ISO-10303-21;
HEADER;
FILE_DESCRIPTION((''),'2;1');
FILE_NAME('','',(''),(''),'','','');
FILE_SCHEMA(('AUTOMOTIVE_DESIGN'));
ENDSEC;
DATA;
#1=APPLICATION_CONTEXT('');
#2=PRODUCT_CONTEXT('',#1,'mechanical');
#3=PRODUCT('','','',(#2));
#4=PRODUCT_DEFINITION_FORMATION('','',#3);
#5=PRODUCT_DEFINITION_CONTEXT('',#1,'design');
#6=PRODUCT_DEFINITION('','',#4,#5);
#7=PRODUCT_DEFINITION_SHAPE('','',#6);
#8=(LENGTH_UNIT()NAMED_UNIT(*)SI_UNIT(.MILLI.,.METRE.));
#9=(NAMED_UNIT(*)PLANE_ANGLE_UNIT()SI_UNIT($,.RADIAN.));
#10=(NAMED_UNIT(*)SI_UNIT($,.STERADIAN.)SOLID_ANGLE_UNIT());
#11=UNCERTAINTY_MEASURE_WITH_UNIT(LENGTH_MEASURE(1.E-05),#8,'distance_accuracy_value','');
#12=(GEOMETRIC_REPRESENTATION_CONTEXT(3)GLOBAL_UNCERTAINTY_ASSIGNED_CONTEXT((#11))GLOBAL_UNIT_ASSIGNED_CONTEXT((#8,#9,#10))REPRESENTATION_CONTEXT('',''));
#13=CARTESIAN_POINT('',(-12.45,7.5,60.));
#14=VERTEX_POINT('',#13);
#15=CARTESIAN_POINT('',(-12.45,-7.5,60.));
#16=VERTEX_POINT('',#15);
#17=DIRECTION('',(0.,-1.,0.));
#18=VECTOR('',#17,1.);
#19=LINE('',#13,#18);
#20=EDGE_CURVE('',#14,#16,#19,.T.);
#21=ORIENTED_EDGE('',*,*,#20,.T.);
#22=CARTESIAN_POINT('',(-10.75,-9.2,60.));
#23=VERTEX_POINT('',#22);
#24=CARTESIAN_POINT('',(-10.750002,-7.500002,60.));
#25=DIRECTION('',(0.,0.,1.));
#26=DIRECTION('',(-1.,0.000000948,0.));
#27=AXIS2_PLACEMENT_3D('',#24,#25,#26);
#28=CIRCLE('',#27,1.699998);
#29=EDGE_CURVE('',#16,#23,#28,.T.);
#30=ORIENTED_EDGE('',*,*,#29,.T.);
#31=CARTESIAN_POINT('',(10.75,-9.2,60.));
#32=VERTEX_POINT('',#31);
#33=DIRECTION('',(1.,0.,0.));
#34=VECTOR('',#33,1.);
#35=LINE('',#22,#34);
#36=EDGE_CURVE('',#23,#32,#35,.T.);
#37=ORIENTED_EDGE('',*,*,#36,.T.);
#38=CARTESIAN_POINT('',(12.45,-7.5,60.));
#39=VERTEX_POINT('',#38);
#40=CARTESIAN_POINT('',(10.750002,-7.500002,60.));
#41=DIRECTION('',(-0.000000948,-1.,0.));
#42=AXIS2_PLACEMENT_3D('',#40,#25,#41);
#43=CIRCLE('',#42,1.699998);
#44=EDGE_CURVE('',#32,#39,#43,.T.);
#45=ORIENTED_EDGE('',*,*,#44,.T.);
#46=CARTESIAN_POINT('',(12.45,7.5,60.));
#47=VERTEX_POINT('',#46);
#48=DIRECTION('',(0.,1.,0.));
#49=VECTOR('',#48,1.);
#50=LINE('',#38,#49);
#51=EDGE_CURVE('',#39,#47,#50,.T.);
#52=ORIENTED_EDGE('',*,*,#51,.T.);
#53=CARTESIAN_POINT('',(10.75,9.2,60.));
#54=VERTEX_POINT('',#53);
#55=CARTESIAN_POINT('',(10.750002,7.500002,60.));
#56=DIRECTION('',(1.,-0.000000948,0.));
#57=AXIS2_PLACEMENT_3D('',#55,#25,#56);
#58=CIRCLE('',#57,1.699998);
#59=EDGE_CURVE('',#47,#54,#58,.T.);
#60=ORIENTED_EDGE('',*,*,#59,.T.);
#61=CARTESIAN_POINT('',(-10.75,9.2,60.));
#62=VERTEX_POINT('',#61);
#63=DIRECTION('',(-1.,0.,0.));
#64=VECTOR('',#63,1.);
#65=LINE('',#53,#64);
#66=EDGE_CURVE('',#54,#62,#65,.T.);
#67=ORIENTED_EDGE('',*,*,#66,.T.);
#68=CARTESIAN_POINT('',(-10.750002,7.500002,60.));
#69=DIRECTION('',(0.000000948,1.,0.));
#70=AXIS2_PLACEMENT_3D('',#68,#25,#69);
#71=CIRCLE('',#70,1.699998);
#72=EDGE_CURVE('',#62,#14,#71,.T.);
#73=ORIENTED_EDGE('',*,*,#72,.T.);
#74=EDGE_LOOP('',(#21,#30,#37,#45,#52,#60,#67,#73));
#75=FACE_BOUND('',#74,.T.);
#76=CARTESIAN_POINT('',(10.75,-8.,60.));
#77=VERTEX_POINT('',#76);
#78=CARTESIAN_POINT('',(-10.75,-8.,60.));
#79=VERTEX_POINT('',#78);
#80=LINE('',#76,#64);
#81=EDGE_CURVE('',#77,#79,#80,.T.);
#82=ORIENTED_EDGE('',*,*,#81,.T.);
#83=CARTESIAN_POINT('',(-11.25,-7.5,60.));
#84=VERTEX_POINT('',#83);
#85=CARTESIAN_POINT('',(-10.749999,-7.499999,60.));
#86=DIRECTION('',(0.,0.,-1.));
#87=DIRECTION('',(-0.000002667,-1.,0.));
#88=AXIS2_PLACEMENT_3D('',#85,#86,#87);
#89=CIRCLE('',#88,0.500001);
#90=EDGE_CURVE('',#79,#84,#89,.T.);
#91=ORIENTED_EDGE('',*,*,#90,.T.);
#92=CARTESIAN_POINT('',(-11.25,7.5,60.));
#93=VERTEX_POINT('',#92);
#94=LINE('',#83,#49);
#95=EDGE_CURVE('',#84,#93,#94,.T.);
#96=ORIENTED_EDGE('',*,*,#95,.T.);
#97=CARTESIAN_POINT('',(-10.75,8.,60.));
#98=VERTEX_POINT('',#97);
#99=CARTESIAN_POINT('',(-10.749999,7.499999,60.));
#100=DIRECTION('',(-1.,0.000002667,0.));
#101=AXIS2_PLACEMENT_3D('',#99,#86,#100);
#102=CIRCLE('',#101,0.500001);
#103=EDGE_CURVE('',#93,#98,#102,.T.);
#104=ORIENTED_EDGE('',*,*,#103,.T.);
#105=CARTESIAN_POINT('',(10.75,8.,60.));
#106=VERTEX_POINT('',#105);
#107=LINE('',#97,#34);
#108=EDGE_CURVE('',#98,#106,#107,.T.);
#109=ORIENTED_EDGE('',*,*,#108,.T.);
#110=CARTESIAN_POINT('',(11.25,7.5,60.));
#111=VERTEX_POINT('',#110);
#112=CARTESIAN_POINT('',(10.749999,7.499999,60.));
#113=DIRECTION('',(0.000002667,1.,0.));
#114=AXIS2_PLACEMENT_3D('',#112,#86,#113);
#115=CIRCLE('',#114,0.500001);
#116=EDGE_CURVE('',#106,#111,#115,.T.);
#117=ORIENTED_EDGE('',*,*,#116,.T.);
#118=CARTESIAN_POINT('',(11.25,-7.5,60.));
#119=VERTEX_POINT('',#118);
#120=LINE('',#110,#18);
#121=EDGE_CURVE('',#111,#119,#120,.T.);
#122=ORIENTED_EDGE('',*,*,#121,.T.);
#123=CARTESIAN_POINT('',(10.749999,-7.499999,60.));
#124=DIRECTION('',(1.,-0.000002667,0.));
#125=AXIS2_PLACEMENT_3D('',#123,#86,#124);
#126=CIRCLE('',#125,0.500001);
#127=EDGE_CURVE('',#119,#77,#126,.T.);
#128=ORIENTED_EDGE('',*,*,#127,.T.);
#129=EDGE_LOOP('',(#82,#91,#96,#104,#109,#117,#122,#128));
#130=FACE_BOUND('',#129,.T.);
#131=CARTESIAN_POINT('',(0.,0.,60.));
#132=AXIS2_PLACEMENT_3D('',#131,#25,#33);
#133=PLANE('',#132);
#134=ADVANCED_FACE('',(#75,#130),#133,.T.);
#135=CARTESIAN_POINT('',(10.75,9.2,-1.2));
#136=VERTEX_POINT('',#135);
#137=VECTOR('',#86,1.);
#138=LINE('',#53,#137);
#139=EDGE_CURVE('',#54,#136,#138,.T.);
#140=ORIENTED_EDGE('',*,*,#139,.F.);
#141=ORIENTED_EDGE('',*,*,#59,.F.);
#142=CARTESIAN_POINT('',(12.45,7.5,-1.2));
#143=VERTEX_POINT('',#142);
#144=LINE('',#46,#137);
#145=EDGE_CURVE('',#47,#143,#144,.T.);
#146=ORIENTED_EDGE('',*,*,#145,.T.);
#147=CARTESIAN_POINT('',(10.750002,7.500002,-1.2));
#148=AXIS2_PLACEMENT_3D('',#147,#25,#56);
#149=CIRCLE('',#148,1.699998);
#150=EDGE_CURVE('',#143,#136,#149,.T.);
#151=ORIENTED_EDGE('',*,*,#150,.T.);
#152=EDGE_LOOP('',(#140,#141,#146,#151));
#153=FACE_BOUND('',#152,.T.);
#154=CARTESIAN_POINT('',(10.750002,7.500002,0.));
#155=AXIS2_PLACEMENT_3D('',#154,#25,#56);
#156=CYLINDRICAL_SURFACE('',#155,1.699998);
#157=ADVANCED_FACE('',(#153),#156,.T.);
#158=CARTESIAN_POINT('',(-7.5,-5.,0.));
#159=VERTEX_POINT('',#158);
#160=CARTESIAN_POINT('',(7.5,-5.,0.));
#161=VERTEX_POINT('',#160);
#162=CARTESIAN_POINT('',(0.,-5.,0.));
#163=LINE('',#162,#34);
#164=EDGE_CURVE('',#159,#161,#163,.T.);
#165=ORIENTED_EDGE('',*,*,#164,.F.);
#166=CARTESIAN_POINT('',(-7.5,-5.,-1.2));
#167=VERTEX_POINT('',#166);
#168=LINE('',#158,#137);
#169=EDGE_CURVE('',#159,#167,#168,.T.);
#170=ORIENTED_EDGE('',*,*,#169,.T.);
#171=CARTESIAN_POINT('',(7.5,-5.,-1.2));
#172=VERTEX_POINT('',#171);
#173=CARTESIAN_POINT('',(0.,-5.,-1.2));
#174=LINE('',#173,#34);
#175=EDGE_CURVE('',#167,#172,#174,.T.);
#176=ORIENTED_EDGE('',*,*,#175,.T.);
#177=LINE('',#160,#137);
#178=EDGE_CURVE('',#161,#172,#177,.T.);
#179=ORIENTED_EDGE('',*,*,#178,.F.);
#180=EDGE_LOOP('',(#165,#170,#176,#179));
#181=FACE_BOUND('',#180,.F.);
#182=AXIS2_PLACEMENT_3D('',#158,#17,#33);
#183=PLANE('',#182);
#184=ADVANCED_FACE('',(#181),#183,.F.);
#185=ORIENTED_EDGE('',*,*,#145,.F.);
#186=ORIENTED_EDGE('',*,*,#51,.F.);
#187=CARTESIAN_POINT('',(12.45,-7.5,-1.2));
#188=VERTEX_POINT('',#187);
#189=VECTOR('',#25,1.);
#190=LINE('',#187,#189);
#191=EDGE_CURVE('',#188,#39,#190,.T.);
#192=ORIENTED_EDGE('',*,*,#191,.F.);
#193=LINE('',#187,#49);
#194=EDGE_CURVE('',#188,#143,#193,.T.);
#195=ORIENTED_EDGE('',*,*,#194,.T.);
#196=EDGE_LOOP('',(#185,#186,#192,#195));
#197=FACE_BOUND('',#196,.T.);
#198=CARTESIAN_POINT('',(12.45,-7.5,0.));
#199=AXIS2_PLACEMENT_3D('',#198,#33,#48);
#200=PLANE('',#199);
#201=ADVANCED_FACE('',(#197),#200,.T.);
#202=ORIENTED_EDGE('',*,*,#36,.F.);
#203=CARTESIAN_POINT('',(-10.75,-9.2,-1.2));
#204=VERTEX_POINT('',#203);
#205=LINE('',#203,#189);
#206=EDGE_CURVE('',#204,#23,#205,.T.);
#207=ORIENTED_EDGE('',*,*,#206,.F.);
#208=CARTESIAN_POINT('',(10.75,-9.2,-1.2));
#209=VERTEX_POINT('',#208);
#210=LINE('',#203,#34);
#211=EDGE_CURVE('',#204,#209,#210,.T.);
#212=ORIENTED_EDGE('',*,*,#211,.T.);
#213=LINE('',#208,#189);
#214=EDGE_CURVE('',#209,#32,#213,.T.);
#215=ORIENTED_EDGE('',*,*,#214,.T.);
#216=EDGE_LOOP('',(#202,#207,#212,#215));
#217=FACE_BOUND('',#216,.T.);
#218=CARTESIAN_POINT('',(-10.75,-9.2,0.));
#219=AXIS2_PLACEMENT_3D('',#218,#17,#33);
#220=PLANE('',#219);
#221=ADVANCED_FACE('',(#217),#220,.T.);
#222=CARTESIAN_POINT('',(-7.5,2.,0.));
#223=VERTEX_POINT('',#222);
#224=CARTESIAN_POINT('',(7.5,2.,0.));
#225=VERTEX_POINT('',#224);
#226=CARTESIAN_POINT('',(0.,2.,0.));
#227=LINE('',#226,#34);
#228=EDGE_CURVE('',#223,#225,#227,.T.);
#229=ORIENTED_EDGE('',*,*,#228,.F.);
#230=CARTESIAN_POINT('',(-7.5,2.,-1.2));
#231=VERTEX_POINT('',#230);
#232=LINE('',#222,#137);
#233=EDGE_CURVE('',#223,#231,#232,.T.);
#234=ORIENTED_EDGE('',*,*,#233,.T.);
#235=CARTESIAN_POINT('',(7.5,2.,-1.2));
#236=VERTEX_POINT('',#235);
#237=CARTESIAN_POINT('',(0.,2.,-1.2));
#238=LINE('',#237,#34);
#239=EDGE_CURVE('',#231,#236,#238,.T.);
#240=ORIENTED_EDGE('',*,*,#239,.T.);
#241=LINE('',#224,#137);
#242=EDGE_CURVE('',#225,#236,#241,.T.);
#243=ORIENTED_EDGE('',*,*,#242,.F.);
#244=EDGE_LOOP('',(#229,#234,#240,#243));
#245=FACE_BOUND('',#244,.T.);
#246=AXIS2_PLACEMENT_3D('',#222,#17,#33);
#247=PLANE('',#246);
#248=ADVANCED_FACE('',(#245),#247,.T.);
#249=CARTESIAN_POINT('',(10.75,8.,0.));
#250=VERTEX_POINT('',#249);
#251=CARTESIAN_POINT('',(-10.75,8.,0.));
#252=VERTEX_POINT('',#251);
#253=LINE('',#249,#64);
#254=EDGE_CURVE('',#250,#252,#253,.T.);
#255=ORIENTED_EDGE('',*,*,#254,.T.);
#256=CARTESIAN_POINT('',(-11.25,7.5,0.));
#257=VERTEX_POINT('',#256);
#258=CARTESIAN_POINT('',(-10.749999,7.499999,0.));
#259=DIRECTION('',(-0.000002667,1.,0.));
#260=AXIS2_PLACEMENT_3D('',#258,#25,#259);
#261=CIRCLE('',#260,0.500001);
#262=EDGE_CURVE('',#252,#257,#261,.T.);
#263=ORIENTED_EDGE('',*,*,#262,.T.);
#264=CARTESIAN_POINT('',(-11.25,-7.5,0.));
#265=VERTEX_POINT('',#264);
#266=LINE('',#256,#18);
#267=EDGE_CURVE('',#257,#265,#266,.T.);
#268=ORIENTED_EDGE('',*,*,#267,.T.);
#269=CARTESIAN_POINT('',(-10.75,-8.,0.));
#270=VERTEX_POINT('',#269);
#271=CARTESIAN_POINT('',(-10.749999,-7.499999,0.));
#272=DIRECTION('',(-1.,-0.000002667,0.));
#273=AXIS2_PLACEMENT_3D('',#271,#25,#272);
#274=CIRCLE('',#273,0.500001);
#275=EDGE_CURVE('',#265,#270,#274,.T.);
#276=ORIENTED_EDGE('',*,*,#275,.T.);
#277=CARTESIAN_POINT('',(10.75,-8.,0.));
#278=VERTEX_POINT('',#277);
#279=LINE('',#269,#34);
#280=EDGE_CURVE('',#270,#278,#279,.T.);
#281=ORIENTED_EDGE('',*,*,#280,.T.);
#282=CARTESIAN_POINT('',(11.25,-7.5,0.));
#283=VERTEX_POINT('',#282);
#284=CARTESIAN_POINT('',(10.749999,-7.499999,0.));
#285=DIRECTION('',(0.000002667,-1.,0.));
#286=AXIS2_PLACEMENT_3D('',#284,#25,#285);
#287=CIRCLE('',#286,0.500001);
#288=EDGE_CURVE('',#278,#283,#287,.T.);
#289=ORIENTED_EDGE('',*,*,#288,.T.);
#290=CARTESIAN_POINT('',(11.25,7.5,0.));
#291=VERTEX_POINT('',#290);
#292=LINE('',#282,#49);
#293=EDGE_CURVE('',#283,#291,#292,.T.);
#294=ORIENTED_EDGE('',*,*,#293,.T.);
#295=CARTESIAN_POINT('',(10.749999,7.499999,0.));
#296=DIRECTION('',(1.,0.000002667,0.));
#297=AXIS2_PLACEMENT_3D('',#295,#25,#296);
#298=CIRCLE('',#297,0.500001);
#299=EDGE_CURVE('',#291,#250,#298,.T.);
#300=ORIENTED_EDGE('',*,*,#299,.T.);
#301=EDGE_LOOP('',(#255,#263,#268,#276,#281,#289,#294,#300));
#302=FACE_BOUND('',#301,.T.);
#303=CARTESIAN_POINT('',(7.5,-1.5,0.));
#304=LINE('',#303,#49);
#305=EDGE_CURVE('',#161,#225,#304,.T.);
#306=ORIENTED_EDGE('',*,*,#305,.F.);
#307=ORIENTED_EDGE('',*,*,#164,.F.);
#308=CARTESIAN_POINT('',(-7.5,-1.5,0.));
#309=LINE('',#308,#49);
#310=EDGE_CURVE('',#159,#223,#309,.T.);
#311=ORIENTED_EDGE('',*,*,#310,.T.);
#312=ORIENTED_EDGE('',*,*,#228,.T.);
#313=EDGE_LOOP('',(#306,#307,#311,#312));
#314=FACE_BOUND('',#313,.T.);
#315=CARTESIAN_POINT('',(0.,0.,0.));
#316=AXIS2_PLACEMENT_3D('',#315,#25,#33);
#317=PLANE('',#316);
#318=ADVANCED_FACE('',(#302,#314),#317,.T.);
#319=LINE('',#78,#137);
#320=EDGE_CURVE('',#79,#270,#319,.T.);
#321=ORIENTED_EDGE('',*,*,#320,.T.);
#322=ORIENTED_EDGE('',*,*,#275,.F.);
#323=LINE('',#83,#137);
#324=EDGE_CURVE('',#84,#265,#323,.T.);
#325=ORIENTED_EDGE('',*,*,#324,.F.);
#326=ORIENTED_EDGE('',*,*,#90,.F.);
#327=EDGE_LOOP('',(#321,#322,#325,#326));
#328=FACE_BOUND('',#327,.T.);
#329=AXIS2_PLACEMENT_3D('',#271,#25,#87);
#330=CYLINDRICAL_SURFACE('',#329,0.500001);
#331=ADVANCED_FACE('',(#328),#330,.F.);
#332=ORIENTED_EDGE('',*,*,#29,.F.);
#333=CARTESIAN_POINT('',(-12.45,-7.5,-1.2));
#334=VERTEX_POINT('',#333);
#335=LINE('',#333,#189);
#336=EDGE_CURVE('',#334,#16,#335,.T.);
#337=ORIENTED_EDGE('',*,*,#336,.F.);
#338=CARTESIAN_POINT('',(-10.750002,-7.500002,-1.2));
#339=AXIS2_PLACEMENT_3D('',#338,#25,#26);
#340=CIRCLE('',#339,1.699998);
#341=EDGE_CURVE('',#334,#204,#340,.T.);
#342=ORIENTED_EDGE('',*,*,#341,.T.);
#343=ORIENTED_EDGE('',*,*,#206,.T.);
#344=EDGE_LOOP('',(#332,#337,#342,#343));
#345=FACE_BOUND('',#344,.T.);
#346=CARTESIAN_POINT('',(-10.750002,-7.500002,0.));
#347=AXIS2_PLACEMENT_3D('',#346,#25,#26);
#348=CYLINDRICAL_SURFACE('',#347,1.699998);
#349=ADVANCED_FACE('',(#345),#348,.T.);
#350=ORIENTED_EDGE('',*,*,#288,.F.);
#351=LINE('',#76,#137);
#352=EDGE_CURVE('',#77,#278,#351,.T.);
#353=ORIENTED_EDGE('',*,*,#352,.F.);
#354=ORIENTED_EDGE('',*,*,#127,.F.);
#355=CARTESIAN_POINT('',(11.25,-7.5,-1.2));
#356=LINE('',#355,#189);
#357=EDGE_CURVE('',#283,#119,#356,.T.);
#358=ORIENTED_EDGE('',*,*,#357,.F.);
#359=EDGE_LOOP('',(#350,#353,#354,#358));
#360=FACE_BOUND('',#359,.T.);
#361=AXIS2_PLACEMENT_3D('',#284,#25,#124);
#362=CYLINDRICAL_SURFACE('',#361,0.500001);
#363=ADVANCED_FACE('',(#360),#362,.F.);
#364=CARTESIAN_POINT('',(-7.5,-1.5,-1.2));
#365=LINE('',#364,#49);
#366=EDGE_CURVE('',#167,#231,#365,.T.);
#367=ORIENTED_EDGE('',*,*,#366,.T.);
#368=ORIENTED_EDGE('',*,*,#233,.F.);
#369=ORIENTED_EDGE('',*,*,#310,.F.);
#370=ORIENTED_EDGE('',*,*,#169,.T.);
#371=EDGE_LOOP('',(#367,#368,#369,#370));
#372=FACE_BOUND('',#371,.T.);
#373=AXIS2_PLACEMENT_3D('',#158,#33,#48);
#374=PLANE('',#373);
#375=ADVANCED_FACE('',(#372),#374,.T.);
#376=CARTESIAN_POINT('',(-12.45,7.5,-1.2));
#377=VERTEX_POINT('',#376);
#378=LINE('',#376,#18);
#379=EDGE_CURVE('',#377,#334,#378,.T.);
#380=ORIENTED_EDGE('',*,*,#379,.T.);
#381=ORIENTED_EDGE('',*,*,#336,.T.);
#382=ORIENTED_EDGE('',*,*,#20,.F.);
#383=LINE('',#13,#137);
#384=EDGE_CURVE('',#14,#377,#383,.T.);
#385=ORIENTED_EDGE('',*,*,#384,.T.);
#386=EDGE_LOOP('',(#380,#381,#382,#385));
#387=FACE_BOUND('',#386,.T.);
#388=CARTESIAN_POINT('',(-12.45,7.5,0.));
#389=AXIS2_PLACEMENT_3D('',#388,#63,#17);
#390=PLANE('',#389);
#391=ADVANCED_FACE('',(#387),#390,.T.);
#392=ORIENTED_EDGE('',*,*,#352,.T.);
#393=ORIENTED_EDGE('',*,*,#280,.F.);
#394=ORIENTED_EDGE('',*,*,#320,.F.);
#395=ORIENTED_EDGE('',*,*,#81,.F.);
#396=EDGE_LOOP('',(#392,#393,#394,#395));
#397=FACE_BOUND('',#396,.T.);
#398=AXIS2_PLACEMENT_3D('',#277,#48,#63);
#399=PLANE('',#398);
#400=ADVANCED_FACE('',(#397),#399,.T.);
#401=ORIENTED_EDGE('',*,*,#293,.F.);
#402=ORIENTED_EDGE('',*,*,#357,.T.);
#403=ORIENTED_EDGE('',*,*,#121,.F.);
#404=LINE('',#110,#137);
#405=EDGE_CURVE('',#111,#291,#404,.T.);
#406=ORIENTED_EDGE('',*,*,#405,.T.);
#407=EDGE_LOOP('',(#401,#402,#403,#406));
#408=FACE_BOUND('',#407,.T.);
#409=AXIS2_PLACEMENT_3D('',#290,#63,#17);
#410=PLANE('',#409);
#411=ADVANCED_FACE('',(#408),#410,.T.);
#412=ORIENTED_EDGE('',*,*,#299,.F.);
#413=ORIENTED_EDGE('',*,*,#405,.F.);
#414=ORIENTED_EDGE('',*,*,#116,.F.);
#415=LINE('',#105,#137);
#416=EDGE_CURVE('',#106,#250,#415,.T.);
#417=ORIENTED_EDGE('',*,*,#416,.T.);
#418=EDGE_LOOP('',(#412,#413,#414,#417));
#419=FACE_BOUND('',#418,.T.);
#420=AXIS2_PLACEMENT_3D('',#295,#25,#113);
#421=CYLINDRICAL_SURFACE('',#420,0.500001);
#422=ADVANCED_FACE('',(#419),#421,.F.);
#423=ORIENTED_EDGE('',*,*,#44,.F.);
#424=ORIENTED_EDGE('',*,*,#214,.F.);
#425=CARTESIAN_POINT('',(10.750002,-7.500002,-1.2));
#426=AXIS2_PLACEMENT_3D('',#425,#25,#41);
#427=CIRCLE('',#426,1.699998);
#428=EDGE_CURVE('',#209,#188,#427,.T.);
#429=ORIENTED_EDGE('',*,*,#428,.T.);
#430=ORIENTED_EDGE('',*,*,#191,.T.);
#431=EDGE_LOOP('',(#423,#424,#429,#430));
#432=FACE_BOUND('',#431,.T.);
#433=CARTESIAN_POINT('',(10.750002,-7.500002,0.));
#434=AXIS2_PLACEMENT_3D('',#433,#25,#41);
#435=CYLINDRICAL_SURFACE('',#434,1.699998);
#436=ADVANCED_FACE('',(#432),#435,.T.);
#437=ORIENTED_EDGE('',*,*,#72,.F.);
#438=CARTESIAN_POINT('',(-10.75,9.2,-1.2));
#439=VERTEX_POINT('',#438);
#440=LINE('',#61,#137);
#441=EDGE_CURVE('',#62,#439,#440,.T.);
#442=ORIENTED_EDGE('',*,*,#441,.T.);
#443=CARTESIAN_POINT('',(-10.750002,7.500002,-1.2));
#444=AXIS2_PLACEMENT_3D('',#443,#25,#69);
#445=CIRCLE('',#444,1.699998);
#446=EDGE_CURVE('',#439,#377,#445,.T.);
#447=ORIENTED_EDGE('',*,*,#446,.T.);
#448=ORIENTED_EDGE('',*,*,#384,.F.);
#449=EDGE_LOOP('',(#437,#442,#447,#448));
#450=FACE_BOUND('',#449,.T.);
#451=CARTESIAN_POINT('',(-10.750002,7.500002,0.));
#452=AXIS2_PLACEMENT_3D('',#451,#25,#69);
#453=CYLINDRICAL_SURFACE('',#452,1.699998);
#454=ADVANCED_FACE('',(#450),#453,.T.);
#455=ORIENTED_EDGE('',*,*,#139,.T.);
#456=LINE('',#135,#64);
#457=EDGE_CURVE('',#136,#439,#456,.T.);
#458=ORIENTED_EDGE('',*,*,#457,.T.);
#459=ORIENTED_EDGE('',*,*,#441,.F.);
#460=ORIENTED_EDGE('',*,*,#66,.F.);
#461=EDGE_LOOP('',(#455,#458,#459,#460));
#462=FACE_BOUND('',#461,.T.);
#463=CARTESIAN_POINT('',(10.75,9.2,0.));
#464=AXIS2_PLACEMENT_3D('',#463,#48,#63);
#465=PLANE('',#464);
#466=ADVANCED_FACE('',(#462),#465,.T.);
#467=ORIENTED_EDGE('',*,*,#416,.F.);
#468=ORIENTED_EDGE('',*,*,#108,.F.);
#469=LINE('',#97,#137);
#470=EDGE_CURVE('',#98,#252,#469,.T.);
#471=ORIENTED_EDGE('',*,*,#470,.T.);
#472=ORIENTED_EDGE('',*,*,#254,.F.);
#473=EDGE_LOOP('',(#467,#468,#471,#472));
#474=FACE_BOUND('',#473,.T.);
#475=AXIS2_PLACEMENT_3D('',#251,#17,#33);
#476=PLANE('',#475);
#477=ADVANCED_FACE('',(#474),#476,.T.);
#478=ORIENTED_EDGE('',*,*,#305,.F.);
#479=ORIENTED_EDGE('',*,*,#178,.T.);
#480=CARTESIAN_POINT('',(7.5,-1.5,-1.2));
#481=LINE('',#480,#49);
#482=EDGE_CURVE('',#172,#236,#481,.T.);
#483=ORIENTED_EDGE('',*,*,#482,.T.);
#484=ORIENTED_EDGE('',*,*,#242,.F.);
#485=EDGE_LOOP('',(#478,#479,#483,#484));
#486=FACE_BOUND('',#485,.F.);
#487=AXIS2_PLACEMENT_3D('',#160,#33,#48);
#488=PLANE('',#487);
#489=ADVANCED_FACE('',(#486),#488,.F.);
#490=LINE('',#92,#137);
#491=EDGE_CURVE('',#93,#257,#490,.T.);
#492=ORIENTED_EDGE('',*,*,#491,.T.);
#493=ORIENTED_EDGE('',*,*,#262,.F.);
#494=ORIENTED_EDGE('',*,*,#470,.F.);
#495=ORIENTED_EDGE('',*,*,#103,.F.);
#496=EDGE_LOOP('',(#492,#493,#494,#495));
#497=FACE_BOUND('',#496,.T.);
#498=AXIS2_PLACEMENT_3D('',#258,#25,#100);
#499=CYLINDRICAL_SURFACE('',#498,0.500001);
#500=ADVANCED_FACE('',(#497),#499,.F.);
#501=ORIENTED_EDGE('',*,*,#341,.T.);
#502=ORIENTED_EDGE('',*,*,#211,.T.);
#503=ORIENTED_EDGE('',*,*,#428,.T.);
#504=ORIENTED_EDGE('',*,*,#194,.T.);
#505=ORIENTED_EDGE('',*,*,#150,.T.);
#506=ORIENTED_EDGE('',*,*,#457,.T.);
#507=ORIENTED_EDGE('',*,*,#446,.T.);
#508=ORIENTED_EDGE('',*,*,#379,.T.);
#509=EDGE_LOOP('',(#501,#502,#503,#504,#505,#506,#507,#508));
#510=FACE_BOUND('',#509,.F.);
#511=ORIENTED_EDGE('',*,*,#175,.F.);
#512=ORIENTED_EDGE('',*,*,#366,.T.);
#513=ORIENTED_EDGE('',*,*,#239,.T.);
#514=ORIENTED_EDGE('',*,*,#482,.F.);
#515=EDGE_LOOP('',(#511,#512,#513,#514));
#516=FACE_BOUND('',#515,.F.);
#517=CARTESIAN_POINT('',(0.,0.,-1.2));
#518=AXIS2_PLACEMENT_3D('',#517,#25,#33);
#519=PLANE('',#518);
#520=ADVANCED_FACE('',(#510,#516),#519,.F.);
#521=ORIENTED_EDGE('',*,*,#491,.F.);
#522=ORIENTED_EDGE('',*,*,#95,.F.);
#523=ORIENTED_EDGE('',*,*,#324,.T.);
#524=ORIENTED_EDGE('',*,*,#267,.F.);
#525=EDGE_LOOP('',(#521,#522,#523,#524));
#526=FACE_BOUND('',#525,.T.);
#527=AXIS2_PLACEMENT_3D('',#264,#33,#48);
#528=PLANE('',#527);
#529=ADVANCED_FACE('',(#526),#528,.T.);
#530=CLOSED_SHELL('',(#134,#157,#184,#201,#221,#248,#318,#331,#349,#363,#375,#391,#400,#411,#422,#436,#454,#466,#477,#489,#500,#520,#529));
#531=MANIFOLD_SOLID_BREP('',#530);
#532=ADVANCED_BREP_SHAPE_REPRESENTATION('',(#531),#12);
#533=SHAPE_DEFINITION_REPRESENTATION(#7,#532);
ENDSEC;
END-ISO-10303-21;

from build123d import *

# Parameters (mm, degrees)
F1_DEPTH      = 60
F1_DEPTH_BACK = 1.2
F0_W          = 15
F0_H          = 7
F2_DEPTH      = 1.2


with BuildPart() as f1:
    # F0 (on Top) → F1 (new body, two sides)
    with BuildSketch(Plane.XY) as f1_sk:
        with BuildLine():
            Line((-12.45, 7.5), (-12.45, -7.5))
            ThreePointArc((-12.45, -7.5), (-11.952082, -8.702082), (-10.75, -9.2))
            Line((-10.75, -9.2), (10.75, -9.2))
            ThreePointArc((10.75, -9.2), (11.952082, -8.702082), (12.45, -7.5))
            Line((12.45, -7.5), (12.45, 7.5))
            ThreePointArc((12.45, 7.5), (11.952082, 8.702082), (10.75, 9.2))
            Line((10.75, 9.2), (-10.75, 9.2))
            ThreePointArc((-10.75, 9.2), (-11.952082, 8.702082), (-12.45, 7.5))
        make_face()
        with BuildLine():
            ThreePointArc((11.25, -7.5), (11.103553, -7.853553), (10.75, -8))
            Line((10.75, -8), (-10.75, -8))
            ThreePointArc((-10.75, -8), (-11.103553, -7.853553), (-11.25, -7.5))
            Line((-11.25, -7.5), (-11.25, 7.5))
            ThreePointArc((-11.25, 7.5), (-11.103553, 7.853553), (-10.75, 8))
            Line((-10.75, 8), (10.75, 8))
            ThreePointArc((10.75, 8), (11.103553, 7.853553), (11.25, 7.5))
            Line((11.25, 7.5), (11.25, -7.5))
        make_face(mode=Mode.SUBTRACT)
    extrude(amount=F1_DEPTH)
    extrude(f1_sk.sketch, amount=-F1_DEPTH_BACK)

    # F0 (on Top) → F2 (join)
    with BuildSketch(Plane.XY):
        with BuildLine():
            Line((-10.75, -8), (10.75, -8))
            ThreePointArc((10.75, -8), (11.103553, -7.853553), (11.25, -7.5))
            Line((11.25, -7.5), (11.25, 7.5))
            ThreePointArc((11.25, 7.5), (11.103553, 7.853553), (10.75, 8))
            Line((10.75, 8), (-10.75, 8))
            ThreePointArc((-10.75, 8), (-11.103553, 7.853553), (-11.25, 7.5))
            Line((-11.25, 7.5), (-11.25, -7.5))
            ThreePointArc((-11.25, -7.5), (-11.103553, -7.853553), (-10.75, -8))
        make_face()
        with Locations((0, -1.5)):
            Rectangle(F0_W, F0_H, mode=Mode.SUBTRACT)
    extrude(amount=-F2_DEPTH)


solid = f1.part
